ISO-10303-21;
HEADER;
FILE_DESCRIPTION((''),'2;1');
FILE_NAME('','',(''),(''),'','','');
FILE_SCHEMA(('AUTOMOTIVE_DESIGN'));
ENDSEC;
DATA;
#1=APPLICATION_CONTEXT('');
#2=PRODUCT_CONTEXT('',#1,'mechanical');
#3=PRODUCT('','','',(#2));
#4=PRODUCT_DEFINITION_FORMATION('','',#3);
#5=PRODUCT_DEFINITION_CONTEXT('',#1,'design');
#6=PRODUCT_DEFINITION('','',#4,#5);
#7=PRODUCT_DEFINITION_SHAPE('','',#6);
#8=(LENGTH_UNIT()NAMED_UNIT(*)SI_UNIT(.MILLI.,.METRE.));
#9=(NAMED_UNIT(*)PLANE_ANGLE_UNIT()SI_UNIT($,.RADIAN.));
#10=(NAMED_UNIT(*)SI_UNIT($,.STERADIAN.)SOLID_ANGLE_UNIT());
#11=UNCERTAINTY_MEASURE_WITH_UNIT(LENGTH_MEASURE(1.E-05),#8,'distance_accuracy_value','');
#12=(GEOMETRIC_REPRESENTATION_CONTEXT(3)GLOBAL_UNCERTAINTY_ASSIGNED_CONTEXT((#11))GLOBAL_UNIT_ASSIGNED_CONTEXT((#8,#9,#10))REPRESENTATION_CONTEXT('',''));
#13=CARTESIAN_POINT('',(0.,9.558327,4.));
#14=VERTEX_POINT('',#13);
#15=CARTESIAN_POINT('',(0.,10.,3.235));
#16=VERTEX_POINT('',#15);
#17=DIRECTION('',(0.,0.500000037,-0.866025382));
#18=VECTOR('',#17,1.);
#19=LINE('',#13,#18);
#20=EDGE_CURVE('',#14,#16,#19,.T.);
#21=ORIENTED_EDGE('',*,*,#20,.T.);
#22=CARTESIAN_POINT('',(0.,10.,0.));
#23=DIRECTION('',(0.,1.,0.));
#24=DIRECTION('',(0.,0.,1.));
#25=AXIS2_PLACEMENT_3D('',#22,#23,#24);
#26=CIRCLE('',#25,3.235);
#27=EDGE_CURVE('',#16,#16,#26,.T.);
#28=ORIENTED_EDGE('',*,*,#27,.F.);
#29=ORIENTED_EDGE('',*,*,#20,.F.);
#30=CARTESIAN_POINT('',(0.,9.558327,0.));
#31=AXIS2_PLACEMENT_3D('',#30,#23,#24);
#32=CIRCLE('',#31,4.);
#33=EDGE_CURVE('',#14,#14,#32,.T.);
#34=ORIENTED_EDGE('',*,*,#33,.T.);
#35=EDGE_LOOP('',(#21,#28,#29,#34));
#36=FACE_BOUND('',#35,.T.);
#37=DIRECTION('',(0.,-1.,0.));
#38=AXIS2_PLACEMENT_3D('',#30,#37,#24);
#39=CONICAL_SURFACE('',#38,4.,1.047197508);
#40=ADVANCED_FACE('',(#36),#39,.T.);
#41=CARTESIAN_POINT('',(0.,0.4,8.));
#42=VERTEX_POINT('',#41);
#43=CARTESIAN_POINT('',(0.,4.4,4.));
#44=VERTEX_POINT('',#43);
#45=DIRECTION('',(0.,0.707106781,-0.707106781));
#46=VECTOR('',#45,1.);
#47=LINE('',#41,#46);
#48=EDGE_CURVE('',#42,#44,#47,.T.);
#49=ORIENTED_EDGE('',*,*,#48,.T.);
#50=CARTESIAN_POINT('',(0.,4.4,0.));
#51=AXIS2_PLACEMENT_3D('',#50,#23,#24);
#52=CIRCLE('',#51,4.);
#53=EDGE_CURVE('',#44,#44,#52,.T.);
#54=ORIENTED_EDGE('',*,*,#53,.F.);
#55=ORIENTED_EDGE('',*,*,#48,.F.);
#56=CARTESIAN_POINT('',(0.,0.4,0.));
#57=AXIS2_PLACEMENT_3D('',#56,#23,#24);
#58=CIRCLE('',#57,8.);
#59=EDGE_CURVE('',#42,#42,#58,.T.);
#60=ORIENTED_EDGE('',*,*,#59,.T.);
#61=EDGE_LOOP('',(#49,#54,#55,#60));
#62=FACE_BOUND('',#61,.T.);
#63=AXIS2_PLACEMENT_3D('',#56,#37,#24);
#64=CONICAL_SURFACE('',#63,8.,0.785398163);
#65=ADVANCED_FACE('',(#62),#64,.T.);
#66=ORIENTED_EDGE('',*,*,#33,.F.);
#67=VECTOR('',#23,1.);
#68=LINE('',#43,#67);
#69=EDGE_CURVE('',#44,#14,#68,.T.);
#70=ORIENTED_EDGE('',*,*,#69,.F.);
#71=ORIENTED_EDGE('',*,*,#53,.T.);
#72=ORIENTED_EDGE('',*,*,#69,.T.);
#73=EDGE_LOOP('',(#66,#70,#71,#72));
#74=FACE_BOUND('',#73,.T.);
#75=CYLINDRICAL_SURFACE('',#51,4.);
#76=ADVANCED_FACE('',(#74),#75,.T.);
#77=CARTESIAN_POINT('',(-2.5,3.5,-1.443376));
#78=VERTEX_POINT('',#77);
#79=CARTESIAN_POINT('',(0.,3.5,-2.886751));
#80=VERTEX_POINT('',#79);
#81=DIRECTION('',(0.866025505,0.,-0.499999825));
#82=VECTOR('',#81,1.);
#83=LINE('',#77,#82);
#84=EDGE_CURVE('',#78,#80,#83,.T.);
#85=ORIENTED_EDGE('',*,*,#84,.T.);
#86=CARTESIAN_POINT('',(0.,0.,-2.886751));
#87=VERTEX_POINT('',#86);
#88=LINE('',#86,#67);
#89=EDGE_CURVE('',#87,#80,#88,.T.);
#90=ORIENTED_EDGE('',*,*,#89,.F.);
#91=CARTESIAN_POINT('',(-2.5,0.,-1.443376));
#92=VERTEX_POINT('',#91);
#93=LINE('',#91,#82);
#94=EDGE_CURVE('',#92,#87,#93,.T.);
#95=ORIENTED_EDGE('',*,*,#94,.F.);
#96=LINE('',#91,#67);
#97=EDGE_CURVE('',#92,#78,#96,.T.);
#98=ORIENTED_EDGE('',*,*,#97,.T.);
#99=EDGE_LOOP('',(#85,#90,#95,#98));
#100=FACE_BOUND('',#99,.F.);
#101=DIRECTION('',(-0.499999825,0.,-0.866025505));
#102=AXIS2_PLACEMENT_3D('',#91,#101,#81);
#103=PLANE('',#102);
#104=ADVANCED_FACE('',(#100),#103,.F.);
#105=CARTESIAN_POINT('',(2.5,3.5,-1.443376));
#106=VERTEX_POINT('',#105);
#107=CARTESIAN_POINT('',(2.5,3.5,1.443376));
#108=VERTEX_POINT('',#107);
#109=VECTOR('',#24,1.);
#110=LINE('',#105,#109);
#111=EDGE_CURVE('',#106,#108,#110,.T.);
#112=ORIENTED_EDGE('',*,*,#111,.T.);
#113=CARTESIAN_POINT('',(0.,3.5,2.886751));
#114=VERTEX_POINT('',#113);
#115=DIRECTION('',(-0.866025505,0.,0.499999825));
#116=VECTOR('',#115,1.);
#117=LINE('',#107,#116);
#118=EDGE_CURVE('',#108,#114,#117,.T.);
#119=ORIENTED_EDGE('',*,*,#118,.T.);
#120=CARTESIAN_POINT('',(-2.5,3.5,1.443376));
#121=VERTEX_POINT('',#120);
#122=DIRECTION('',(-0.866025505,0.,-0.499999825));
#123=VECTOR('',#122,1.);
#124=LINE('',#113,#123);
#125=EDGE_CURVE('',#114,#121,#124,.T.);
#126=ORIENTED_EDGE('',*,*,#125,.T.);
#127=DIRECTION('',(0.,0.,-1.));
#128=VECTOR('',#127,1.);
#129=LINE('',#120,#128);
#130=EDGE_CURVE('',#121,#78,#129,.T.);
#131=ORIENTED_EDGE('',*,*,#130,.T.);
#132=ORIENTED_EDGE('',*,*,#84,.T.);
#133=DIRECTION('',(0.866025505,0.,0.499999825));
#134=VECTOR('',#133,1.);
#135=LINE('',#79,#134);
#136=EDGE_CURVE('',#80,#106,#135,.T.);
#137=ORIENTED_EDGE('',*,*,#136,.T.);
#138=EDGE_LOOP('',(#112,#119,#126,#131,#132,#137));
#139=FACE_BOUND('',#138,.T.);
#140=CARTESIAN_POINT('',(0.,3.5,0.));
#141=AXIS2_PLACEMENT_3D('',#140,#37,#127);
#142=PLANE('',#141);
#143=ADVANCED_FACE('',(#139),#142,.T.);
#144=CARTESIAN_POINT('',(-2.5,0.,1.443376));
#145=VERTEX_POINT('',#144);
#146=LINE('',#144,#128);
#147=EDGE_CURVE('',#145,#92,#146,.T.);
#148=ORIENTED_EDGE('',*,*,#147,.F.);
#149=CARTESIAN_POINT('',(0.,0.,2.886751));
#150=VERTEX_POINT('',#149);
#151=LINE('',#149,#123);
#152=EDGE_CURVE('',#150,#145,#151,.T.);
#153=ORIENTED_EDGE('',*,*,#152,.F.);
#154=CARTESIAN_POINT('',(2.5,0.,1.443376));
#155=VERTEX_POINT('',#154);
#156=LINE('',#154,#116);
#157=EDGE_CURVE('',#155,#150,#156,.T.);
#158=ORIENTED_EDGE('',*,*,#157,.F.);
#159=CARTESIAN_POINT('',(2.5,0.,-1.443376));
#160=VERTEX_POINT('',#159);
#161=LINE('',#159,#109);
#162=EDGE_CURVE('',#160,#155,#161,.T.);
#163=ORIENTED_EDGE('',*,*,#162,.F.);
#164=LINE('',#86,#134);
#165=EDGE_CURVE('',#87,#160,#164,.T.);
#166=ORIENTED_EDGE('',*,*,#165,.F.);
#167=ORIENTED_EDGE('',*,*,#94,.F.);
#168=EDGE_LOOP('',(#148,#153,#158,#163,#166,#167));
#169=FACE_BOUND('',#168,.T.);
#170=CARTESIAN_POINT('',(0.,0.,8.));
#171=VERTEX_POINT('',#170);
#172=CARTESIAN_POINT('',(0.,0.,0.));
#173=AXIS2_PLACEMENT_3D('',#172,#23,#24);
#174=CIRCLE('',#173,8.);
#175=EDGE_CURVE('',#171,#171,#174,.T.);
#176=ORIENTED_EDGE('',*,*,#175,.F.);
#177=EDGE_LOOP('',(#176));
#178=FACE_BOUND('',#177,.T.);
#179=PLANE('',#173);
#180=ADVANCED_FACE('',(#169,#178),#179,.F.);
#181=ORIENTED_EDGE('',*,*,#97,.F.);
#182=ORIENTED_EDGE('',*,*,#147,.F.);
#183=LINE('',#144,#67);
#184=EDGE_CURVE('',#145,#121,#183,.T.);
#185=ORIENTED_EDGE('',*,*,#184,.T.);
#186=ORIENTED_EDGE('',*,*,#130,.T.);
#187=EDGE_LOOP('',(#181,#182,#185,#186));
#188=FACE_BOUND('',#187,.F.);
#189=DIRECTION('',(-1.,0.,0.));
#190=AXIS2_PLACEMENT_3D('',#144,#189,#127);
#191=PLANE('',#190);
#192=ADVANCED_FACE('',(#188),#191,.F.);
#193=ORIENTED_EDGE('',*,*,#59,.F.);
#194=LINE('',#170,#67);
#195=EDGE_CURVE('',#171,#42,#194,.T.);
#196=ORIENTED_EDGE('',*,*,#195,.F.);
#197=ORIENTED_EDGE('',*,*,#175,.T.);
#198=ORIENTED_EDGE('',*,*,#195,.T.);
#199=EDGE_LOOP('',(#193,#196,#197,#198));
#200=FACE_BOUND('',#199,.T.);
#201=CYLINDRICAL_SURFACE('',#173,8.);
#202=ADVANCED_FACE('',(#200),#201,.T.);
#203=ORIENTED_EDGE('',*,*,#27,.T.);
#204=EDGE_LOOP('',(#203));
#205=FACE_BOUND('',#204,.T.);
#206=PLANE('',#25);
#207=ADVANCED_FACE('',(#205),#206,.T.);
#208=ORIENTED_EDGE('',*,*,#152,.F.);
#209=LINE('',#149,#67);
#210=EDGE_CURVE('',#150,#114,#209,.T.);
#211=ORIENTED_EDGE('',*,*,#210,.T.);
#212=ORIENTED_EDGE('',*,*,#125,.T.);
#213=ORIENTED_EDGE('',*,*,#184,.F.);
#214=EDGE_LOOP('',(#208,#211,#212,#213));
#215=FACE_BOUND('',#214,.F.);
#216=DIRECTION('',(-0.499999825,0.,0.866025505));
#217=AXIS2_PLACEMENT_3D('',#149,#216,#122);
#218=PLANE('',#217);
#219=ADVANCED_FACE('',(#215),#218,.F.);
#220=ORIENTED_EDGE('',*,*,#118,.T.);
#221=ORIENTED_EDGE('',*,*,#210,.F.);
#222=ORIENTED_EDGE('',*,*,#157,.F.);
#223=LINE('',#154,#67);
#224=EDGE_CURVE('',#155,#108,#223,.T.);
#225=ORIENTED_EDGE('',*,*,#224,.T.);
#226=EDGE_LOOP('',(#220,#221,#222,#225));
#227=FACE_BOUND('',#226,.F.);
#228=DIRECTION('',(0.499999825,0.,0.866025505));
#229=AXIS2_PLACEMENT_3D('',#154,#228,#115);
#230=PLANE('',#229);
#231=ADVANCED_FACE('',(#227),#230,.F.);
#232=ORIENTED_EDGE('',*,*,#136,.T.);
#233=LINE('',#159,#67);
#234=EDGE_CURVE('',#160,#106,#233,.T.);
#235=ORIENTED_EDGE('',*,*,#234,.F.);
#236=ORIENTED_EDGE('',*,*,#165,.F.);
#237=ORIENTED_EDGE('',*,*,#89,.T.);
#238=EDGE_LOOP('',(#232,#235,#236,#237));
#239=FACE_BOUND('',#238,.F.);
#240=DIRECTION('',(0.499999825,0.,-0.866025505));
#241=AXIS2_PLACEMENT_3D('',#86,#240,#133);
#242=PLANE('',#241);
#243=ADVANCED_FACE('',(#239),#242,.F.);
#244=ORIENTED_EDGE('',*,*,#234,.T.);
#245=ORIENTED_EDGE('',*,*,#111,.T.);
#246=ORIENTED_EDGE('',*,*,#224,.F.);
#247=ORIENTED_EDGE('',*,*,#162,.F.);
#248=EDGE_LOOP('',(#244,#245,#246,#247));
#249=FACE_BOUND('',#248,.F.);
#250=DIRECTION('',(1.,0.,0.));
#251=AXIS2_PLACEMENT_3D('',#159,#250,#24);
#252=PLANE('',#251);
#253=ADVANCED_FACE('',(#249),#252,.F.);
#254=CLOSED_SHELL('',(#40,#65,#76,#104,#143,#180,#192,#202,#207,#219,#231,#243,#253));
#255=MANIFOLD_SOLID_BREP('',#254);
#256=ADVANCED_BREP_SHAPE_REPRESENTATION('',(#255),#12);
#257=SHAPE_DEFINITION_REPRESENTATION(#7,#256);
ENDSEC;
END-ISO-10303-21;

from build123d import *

# Parameters (mm, degrees)
POCKET_DEPTH = 3.5


with BuildPart() as part:
    # Sketch → Revolution (revolve)
    with BuildSketch(Plane.YZ):
        Polygon((0, 0), (0, 8), (0.4, 8), (4.4, 4), (9.558327, 4), (10, 3.235), (10, 0), align=None)
    revolve(axis=Axis((0, 0, 0), (0, 1, 0)))

    # Sketch001 → Pocket (cut)
    with BuildSketch(Plane(origin=(0, 0, 0), x_dir=(0, 0, -1), z_dir=(0, -1, 0))):
        Polygon((1.443376, 2.5), (-1.443376, 2.5), (-2.886751, 0), (-1.443376, -2.5), (1.443376, -2.5), (2.886751, 0), align=None)
    extrude(amount=-POCKET_DEPTH, mode=Mode.SUBTRACT)


solid = part.part
